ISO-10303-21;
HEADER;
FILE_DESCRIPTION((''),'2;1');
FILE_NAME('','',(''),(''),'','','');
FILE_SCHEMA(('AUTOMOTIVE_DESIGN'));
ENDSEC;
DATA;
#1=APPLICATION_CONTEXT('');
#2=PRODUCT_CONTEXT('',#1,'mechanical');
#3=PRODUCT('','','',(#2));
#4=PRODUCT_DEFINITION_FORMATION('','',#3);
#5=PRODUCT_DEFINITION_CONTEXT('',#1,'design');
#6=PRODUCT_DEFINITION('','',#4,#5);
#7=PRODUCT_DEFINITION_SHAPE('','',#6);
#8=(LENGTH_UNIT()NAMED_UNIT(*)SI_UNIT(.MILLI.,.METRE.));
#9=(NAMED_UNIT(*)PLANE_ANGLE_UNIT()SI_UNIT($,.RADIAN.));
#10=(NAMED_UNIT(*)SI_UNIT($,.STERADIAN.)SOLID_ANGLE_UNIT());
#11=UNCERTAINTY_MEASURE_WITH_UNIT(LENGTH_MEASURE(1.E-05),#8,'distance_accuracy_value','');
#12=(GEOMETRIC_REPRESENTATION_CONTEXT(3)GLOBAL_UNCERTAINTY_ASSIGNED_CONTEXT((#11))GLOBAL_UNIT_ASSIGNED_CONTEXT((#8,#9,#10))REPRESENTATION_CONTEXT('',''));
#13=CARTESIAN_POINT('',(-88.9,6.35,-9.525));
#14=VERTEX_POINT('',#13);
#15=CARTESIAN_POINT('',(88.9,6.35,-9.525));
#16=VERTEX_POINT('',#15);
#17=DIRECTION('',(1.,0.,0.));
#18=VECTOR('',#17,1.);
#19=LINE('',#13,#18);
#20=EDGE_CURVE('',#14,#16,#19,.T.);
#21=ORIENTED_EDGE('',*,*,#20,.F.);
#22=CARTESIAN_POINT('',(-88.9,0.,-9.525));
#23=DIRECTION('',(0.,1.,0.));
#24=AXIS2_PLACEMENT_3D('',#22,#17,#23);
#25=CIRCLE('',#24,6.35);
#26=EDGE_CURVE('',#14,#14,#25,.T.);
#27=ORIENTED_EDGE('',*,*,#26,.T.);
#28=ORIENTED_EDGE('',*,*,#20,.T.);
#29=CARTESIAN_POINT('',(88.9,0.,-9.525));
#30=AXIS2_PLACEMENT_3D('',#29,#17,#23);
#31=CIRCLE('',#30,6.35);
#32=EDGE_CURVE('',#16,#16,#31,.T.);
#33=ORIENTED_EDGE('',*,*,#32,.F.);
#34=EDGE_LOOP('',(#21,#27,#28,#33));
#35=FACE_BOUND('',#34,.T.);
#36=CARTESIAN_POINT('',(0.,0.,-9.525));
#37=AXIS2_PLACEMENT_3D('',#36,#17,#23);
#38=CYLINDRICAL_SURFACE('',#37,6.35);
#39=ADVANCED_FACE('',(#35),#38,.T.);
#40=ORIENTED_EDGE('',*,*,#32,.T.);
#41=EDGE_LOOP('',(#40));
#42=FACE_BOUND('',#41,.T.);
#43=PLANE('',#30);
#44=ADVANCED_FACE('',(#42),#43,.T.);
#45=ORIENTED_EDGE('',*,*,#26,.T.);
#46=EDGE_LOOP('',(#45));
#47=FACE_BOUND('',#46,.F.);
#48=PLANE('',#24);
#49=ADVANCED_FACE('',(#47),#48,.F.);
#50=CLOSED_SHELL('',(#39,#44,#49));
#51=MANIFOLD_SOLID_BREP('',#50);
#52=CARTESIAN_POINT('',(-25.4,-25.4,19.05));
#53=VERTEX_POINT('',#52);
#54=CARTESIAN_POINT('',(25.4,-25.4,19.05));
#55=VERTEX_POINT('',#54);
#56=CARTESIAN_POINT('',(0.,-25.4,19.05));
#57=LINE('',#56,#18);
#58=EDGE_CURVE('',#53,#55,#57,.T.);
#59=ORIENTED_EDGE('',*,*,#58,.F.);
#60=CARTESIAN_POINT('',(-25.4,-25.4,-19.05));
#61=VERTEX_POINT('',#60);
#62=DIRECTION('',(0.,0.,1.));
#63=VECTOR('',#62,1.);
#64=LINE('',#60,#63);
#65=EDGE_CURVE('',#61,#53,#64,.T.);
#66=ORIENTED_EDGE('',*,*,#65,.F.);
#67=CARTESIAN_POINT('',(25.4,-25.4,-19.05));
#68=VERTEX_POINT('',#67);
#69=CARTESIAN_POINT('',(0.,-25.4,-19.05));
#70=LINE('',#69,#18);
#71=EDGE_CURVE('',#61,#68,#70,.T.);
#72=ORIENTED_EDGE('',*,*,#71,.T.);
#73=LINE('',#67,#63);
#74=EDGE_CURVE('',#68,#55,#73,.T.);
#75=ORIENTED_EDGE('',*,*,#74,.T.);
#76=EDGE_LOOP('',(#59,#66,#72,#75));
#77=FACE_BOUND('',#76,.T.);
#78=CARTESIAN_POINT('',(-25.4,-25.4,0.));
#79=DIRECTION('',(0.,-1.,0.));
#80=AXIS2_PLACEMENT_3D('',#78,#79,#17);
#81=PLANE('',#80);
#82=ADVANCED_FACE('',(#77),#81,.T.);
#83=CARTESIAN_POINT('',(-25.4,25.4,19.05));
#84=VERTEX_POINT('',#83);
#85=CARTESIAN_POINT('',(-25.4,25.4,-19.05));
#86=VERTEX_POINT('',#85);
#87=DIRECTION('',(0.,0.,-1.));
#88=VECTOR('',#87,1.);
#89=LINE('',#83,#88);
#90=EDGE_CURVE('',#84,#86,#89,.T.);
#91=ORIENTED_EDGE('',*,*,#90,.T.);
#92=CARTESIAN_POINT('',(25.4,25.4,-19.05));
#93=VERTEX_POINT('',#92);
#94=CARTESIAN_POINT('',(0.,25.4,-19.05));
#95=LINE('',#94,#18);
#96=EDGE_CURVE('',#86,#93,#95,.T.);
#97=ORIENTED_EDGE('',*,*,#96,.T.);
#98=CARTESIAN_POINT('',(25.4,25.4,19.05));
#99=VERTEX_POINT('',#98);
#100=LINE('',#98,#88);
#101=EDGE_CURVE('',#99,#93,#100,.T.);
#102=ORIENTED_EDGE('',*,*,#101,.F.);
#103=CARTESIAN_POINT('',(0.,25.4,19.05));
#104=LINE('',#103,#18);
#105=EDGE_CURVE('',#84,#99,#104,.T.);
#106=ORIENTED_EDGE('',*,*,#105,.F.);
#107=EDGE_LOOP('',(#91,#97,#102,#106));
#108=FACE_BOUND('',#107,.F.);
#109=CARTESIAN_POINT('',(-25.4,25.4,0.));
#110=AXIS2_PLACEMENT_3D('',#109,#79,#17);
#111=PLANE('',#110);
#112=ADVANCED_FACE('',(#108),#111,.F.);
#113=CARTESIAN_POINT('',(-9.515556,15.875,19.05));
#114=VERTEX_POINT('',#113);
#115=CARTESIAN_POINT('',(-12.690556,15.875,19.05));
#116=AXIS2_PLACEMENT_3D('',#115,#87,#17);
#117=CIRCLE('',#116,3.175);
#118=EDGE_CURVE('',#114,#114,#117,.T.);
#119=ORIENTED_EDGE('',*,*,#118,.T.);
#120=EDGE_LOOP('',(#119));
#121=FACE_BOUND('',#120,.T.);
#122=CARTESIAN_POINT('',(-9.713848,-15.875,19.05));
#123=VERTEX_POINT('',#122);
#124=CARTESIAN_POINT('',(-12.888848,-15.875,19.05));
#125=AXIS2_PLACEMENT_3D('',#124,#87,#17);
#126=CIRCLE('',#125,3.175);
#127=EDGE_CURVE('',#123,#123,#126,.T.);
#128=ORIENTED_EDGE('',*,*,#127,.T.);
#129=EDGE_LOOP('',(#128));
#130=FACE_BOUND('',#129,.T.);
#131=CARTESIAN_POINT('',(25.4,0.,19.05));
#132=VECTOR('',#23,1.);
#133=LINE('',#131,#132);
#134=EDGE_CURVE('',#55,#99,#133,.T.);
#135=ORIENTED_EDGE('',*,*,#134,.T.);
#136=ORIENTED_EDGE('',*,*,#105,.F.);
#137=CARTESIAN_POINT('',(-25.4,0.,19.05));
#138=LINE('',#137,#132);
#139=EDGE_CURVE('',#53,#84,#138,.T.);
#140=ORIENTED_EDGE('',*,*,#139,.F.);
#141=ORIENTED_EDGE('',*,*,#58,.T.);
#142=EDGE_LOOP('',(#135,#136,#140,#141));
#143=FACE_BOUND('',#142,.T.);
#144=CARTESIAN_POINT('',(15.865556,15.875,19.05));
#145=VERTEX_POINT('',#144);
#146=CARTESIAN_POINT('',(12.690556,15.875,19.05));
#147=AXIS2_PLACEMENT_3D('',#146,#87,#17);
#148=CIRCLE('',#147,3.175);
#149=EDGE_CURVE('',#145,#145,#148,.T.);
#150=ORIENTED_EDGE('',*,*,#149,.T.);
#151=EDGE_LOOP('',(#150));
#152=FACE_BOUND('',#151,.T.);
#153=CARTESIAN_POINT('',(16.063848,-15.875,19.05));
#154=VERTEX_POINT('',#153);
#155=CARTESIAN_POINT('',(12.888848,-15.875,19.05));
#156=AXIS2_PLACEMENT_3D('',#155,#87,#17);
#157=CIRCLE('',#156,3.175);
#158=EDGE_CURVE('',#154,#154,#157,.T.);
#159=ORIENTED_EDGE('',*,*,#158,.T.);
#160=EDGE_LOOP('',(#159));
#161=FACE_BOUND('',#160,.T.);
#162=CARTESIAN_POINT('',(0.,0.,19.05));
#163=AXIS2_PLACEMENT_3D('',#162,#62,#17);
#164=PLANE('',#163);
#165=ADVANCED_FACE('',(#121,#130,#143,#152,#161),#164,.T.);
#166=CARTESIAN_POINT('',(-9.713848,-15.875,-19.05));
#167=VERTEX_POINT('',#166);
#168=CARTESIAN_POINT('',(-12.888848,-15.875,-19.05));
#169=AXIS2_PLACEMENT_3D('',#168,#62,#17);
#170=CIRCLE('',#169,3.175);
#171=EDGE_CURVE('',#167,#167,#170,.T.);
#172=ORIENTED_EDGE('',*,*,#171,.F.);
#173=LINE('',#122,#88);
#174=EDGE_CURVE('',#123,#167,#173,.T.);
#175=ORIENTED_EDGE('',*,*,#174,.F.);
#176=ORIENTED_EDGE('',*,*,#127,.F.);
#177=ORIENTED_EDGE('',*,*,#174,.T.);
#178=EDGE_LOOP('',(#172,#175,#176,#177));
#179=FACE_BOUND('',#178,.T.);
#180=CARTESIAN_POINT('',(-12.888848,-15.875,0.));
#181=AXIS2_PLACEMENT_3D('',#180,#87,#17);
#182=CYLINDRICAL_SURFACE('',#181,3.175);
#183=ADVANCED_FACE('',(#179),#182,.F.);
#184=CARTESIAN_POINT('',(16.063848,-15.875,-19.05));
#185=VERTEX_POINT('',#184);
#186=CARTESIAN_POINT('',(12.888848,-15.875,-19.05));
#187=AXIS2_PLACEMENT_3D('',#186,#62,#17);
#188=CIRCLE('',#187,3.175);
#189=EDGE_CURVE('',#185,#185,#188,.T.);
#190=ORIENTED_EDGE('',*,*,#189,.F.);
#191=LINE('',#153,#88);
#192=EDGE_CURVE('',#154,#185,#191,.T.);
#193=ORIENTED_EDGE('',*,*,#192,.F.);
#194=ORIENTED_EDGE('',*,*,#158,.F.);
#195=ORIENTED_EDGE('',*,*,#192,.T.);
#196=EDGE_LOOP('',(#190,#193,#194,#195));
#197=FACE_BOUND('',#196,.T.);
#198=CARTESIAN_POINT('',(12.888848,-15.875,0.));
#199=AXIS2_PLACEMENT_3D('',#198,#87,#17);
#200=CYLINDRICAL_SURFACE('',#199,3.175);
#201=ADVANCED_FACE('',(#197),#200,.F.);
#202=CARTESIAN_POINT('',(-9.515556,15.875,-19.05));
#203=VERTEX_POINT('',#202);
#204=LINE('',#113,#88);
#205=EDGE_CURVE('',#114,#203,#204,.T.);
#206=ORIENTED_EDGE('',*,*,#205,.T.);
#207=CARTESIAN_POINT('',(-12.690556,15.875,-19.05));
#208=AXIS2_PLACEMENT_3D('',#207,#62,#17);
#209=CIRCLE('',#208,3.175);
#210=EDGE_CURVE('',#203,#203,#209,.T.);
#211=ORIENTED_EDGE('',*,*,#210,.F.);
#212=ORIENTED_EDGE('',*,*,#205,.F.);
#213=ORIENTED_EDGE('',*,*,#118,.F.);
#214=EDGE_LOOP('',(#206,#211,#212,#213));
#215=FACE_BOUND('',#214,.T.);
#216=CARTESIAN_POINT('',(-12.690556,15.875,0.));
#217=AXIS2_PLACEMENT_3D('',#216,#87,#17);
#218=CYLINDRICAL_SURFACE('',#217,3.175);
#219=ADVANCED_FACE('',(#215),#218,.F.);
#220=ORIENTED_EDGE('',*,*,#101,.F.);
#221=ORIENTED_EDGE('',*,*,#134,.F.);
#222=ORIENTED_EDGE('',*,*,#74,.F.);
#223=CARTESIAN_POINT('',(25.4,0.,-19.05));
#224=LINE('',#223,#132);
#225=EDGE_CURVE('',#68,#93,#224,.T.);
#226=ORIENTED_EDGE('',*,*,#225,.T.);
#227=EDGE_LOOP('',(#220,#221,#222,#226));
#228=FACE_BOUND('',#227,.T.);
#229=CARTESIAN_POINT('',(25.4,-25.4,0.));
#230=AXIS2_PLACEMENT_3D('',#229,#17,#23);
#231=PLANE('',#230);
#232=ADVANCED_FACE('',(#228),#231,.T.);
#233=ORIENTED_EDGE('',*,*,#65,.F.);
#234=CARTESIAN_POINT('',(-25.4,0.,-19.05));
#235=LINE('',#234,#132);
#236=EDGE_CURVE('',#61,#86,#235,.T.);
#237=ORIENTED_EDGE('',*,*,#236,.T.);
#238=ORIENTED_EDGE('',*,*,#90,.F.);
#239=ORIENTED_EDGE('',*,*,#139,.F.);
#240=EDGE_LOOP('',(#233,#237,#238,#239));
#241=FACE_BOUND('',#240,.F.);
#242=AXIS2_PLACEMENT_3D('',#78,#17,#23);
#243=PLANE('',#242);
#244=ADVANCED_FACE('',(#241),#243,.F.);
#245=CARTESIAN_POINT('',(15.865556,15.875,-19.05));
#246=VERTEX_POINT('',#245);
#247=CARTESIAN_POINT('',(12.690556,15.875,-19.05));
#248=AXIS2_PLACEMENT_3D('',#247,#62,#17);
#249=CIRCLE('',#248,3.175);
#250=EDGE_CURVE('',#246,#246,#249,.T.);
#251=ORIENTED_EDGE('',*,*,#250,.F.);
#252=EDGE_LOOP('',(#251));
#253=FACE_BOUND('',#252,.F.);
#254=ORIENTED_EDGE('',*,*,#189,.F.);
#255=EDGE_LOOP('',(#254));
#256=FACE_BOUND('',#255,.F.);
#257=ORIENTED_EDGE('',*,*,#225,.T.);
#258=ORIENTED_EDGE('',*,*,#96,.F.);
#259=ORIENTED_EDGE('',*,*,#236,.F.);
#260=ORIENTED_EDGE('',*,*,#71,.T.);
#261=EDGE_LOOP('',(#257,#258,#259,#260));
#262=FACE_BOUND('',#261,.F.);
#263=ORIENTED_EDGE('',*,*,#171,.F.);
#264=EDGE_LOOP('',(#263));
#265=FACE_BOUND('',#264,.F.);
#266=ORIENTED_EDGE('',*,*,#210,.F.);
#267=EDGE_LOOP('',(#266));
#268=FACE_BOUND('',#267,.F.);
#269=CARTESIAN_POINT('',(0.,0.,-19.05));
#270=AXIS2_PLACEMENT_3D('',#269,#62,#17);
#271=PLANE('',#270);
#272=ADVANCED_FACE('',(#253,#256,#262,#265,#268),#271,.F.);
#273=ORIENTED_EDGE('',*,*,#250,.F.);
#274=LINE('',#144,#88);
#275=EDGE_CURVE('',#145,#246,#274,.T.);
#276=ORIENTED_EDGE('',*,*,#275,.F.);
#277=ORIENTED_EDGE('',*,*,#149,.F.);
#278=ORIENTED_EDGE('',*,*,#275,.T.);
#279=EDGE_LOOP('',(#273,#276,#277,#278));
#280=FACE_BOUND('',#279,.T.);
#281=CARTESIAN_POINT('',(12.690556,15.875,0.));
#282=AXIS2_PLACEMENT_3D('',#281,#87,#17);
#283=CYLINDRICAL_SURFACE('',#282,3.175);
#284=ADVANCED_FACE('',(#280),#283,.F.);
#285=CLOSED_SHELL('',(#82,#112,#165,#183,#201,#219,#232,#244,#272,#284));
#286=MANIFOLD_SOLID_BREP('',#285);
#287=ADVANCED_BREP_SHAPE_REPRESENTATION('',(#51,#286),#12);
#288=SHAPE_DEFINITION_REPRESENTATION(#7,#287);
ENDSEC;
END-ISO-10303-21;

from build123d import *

# Parameters (mm, degrees)
F0_W     = 50.8
F0_H     = 50.8
F0_R     = 3.175
F1_DEPTH = 19.05
F3_R     = 6.35
F4_DEPTH = 88.9


with BuildPart() as f1:
    # F0 (on Top) → F1 (new body, symmetric)
    with BuildSketch(Plane.XY):
        Rectangle(F0_W, F0_H)
        with Locations((-12.888848, -15.875)):
            Circle(F0_R, mode=Mode.SUBTRACT)
        with Locations((12.888848, -15.875)):
            Circle(F0_R, mode=Mode.SUBTRACT)
        with Locations((-12.690556, 15.875)):
            Circle(F0_R, mode=Mode.SUBTRACT)
        with Locations((12.690556, 15.875)):
            Circle(F0_R, mode=Mode.SUBTRACT)
    extrude(amount=F1_DEPTH, both=True)

    # F2: F1 across plane


with BuildPart() as f1_1:
    add(f1.part)
    add(f1.part.mirror(Plane.YZ))


with BuildPart() as f4:
    # F3 (on Right) → F4 (new body, symmetric)
    with BuildSketch(Plane.YZ):
        with Locations((0, -9.525)):
            Circle(F3_R)
    extrude(amount=F4_DEPTH, both=True)


solid = Compound([f1_1.part, f4.part])
